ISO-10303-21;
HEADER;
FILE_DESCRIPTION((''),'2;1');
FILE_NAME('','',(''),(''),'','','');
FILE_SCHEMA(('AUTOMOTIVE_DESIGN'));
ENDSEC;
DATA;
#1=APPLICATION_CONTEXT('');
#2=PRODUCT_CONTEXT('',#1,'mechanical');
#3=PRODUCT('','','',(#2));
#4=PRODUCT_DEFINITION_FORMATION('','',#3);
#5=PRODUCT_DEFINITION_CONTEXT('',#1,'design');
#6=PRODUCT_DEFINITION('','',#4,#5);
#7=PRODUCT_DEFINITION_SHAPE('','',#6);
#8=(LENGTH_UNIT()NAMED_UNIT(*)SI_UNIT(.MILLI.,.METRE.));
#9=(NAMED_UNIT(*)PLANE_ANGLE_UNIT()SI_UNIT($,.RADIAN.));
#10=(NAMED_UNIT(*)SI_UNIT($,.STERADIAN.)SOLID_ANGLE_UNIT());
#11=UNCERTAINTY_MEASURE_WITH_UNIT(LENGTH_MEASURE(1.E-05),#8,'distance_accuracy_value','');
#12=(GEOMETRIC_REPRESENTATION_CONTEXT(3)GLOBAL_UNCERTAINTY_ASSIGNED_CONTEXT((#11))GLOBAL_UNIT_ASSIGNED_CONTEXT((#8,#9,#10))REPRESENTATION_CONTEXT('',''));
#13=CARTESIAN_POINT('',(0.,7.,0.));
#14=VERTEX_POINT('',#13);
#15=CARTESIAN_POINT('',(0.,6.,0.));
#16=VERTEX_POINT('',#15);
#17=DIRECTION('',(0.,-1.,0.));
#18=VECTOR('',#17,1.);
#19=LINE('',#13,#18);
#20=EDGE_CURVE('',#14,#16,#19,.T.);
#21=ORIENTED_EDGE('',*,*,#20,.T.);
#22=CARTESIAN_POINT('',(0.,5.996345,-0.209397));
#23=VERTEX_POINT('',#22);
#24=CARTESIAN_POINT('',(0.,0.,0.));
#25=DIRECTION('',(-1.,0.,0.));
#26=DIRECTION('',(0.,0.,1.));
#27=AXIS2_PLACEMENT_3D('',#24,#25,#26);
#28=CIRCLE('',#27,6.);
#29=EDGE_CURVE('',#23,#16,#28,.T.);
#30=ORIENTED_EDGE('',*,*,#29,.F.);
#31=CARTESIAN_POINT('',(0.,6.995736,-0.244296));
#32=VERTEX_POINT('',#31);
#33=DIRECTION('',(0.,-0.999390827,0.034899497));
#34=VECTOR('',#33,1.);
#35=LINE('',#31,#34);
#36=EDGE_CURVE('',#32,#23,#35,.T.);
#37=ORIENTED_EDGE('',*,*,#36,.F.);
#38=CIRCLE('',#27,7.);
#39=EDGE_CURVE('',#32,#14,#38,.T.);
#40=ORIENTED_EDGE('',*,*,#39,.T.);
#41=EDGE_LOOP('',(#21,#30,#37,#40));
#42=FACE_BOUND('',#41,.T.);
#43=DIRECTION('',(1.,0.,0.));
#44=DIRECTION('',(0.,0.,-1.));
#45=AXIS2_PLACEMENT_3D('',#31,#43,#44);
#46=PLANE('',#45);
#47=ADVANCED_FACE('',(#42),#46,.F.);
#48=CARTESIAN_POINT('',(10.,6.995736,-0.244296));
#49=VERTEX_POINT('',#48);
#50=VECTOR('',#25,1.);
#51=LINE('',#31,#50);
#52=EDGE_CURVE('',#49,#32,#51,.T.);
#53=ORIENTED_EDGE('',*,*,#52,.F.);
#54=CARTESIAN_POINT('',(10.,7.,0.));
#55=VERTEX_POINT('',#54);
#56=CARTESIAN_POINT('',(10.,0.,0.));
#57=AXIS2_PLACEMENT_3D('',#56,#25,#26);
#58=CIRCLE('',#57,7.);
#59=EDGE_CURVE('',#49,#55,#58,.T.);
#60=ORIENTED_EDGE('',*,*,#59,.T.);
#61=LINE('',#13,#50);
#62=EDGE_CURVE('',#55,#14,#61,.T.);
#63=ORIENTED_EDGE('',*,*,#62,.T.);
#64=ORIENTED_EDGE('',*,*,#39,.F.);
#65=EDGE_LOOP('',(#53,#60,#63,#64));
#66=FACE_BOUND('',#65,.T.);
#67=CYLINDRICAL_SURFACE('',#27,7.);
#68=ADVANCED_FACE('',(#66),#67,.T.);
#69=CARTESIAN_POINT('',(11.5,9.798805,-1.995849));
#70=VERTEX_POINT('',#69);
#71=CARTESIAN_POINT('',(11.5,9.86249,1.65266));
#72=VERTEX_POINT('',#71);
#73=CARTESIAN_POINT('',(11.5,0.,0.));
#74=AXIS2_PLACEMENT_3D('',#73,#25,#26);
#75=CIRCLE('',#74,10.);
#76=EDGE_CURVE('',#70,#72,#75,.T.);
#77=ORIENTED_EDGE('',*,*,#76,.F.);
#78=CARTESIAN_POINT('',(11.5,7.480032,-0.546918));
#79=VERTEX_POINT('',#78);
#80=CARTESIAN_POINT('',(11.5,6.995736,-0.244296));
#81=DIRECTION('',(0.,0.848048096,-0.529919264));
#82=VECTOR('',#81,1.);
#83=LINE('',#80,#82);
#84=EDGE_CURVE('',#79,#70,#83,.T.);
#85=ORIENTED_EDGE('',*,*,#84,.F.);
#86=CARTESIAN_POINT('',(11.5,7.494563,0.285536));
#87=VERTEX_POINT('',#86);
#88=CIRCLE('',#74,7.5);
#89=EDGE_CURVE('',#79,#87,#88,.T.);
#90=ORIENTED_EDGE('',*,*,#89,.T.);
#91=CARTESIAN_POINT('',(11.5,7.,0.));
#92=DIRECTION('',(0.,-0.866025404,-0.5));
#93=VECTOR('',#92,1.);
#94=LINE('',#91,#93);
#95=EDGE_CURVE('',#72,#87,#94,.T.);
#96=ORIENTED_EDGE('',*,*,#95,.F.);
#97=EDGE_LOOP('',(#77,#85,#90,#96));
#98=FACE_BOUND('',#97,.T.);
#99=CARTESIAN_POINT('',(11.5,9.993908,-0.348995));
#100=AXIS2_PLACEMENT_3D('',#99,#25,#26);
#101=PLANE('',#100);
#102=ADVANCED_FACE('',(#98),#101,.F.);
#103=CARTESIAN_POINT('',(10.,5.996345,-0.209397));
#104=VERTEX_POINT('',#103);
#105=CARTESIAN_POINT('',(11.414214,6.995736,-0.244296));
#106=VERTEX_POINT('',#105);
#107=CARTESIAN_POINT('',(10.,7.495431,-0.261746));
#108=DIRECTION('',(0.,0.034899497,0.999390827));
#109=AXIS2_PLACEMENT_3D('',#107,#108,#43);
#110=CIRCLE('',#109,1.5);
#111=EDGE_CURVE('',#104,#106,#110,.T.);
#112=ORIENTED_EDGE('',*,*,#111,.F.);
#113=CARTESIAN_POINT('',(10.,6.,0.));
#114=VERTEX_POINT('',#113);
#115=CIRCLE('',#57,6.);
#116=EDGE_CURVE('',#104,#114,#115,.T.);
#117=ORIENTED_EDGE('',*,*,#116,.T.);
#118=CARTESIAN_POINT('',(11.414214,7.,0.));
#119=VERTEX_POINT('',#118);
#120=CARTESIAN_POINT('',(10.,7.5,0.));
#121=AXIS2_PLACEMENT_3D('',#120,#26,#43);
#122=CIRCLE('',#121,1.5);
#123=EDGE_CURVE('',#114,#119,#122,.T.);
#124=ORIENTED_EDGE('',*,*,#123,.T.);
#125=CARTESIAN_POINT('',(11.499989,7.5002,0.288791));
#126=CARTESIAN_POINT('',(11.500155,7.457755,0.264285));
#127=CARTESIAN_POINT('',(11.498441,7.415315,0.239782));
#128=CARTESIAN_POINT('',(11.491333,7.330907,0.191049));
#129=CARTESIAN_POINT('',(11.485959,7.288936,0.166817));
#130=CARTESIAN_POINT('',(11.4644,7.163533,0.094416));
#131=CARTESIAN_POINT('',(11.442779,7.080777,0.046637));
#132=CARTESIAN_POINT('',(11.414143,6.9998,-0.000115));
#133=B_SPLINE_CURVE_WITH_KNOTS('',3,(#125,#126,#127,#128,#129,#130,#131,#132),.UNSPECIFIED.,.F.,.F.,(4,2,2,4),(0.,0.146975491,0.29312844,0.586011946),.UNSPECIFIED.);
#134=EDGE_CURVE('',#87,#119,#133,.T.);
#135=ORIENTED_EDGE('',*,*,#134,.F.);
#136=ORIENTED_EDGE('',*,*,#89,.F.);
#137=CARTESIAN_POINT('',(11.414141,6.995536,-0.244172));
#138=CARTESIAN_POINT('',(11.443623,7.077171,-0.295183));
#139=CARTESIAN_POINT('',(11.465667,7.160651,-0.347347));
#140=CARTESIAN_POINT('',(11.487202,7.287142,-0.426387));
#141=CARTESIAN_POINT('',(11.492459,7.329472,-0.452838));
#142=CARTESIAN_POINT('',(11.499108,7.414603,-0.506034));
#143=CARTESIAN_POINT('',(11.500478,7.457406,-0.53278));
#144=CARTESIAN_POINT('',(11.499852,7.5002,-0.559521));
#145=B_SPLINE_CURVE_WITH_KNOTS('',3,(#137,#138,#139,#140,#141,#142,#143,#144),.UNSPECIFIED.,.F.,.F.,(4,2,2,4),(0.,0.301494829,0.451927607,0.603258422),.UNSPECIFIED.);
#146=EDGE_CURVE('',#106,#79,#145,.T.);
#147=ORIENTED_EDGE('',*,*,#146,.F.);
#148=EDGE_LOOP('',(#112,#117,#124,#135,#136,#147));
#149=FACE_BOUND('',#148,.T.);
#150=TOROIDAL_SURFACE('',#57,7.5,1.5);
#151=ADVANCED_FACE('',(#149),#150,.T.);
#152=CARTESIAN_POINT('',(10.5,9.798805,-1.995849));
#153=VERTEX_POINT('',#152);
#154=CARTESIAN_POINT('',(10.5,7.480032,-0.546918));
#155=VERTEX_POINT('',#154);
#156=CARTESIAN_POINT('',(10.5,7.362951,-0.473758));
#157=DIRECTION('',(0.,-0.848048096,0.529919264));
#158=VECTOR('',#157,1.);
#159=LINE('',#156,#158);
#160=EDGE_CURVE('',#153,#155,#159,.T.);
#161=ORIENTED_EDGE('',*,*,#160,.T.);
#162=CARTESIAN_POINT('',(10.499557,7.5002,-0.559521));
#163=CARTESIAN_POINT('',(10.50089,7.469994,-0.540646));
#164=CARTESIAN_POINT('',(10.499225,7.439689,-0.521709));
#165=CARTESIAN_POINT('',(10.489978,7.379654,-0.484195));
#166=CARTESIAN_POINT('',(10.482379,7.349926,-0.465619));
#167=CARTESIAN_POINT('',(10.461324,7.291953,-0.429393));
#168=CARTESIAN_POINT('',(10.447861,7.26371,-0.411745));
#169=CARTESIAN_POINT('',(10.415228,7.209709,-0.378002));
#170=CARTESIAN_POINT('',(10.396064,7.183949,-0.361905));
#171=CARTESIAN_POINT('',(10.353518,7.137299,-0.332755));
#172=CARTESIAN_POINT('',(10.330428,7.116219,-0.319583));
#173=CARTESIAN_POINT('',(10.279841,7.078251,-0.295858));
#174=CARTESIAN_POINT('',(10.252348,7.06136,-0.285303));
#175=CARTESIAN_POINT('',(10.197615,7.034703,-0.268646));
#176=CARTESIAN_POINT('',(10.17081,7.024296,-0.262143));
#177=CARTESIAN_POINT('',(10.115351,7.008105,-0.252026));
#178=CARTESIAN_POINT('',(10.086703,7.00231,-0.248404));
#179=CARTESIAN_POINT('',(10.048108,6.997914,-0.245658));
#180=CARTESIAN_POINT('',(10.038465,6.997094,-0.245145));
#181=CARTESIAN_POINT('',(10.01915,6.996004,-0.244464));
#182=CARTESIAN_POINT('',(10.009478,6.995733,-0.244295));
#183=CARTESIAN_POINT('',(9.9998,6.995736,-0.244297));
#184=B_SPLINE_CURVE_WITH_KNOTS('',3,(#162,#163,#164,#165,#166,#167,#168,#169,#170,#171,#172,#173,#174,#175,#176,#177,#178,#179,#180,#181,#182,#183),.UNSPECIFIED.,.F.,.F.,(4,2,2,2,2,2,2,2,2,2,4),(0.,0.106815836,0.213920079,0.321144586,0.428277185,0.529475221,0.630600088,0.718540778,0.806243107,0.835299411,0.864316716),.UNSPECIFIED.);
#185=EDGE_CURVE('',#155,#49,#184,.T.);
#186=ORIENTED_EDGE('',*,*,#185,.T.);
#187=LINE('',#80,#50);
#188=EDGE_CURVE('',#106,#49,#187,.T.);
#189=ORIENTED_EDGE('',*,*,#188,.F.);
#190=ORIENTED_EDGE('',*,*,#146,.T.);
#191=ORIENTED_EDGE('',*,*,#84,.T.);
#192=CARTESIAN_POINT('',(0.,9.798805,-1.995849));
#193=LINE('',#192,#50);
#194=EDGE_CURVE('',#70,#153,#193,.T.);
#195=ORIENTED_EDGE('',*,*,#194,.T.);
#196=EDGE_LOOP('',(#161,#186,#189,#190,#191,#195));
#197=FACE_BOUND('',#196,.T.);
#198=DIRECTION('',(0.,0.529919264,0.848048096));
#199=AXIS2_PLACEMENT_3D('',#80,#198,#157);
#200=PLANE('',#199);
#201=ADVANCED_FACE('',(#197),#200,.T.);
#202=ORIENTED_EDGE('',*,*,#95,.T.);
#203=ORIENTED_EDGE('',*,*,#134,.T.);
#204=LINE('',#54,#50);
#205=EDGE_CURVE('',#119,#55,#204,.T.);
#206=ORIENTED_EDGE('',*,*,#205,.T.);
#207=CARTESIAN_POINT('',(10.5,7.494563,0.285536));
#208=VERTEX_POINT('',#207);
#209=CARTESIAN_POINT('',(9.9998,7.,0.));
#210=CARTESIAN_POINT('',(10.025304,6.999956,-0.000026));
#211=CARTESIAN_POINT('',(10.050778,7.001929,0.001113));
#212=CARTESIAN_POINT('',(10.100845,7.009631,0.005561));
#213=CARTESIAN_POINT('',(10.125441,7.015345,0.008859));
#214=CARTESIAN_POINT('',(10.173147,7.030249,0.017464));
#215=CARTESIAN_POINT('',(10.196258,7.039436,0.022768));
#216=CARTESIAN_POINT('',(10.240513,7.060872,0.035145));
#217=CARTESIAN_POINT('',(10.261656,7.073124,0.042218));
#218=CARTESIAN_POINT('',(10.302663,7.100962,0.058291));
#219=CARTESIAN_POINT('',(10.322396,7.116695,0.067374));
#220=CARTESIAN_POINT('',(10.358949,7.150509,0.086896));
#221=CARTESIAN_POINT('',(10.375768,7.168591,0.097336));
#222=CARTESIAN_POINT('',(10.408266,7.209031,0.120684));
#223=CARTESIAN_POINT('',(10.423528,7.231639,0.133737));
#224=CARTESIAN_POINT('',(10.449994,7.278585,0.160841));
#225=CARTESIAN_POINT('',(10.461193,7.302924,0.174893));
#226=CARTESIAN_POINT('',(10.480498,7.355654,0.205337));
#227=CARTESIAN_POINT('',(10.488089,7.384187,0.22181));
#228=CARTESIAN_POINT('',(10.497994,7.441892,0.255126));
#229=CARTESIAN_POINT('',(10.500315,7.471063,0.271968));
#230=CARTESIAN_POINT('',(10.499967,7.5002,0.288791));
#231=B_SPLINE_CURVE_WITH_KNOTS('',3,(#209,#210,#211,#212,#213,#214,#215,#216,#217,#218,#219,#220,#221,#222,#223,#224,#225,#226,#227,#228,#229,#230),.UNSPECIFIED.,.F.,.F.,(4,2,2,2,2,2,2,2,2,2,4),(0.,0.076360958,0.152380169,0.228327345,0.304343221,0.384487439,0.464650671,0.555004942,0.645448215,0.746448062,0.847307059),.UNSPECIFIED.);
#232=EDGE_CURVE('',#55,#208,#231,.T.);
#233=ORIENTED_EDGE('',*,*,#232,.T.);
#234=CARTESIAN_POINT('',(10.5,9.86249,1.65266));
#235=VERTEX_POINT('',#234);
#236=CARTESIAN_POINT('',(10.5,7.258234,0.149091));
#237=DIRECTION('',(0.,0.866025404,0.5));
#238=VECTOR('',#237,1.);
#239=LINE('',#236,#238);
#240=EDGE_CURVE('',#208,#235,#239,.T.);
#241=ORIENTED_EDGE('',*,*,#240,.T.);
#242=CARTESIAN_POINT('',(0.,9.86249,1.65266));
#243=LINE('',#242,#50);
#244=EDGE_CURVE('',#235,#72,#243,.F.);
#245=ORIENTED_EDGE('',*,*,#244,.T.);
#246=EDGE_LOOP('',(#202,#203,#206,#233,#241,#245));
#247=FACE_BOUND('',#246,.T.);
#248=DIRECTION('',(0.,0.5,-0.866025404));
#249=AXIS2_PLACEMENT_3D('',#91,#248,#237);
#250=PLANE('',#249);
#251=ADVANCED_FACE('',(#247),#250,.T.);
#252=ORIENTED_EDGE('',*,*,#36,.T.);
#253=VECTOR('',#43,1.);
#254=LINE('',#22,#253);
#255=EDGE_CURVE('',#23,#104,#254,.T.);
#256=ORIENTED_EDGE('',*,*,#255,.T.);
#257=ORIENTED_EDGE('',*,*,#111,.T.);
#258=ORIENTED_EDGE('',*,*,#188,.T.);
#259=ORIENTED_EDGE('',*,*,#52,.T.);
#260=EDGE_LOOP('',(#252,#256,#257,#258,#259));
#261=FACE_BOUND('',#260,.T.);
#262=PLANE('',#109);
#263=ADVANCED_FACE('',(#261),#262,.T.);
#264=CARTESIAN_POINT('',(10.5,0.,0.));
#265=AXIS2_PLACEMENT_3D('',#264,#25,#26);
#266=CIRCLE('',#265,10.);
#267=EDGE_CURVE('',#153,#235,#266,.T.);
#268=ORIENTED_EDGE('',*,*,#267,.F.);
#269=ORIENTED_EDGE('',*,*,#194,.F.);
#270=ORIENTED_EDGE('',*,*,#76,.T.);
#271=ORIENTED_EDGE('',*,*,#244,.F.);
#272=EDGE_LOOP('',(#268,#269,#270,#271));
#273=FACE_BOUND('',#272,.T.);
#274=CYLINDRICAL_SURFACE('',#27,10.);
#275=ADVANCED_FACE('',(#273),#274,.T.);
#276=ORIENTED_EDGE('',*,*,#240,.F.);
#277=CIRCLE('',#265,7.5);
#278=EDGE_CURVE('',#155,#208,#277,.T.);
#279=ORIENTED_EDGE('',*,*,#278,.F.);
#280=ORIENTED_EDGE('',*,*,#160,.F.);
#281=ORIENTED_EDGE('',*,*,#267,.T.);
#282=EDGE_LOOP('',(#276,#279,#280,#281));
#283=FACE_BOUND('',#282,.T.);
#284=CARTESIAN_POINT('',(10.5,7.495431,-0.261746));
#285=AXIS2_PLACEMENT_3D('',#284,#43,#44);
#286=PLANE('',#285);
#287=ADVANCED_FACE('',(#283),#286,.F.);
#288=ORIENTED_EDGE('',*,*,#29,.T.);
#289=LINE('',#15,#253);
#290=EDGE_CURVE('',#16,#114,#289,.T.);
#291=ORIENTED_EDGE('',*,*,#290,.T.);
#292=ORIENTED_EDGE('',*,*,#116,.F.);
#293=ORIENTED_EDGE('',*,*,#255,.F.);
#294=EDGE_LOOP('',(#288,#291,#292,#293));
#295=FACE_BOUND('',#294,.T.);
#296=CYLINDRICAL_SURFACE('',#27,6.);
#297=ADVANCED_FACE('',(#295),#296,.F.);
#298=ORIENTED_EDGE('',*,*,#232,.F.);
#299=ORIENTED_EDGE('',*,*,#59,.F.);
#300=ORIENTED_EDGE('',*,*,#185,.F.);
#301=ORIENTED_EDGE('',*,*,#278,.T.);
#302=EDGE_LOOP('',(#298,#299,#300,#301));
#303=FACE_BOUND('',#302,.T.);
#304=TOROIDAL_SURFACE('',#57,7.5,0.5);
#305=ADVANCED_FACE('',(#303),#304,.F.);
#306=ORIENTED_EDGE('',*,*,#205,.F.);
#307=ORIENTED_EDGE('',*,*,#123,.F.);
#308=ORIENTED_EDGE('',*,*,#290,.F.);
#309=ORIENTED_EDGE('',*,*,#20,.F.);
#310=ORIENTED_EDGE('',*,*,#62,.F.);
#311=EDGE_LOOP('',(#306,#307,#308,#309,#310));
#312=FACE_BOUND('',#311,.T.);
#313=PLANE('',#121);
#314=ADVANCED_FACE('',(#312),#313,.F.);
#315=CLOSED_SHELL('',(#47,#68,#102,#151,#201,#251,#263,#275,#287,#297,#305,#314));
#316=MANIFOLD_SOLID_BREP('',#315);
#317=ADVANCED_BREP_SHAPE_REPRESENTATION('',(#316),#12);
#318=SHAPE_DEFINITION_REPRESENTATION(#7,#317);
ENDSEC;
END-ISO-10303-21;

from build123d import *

# Parameters (mm, degrees)
BASE_R_VOLUTION_ANGLE   = 358
ENL_V_MAT_EXTRU_3_DEPTH = 19.227726134


with BuildPart() as part:
    # Esquisse1 → Base-Révolution (revolve)
    with BuildSketch(Plane.XY):
        with BuildLine():
            Line((0, 7), (10, 7))
            ThreePointArc((10, 7), (10.353553391, 7.146446609), (10.5, 7.5))
            Line((10.5, 7.5), (10.5, 10))
            Line((10.5, 10), (11.5, 10))
            Line((11.5, 10), (11.5, 7.5))
            ThreePointArc((11.5, 7.5), (11.060660172, 6.439339828), (10, 6))
            Line((10, 6), (0, 6))
            Line((0, 6), (0, 7))
        make_face()
    revolve(axis=Axis((0, 0, 0), (1, 0, 0)), revolution_arc=BASE_R_VOLUTION_ANGLE)

    # Esquisse2 → Enlèv. mat.-Extru.3 (cut, through all)
    with BuildSketch(Plane(origin=(0, 0, 0), x_dir=(0, 0, -1), z_dir=(1, 0, 0))):
        Polygon((0.244296477, 6.995735789), (2.079990656, 9.933460569), (0.348994967, 9.99390827), (0, 10), (-1.732050808, 10), (0, 7), align=None)
    extrude(amount=ENL_V_MAT_EXTRU_3_DEPTH, mode=Mode.SUBTRACT)


solid = part.part
